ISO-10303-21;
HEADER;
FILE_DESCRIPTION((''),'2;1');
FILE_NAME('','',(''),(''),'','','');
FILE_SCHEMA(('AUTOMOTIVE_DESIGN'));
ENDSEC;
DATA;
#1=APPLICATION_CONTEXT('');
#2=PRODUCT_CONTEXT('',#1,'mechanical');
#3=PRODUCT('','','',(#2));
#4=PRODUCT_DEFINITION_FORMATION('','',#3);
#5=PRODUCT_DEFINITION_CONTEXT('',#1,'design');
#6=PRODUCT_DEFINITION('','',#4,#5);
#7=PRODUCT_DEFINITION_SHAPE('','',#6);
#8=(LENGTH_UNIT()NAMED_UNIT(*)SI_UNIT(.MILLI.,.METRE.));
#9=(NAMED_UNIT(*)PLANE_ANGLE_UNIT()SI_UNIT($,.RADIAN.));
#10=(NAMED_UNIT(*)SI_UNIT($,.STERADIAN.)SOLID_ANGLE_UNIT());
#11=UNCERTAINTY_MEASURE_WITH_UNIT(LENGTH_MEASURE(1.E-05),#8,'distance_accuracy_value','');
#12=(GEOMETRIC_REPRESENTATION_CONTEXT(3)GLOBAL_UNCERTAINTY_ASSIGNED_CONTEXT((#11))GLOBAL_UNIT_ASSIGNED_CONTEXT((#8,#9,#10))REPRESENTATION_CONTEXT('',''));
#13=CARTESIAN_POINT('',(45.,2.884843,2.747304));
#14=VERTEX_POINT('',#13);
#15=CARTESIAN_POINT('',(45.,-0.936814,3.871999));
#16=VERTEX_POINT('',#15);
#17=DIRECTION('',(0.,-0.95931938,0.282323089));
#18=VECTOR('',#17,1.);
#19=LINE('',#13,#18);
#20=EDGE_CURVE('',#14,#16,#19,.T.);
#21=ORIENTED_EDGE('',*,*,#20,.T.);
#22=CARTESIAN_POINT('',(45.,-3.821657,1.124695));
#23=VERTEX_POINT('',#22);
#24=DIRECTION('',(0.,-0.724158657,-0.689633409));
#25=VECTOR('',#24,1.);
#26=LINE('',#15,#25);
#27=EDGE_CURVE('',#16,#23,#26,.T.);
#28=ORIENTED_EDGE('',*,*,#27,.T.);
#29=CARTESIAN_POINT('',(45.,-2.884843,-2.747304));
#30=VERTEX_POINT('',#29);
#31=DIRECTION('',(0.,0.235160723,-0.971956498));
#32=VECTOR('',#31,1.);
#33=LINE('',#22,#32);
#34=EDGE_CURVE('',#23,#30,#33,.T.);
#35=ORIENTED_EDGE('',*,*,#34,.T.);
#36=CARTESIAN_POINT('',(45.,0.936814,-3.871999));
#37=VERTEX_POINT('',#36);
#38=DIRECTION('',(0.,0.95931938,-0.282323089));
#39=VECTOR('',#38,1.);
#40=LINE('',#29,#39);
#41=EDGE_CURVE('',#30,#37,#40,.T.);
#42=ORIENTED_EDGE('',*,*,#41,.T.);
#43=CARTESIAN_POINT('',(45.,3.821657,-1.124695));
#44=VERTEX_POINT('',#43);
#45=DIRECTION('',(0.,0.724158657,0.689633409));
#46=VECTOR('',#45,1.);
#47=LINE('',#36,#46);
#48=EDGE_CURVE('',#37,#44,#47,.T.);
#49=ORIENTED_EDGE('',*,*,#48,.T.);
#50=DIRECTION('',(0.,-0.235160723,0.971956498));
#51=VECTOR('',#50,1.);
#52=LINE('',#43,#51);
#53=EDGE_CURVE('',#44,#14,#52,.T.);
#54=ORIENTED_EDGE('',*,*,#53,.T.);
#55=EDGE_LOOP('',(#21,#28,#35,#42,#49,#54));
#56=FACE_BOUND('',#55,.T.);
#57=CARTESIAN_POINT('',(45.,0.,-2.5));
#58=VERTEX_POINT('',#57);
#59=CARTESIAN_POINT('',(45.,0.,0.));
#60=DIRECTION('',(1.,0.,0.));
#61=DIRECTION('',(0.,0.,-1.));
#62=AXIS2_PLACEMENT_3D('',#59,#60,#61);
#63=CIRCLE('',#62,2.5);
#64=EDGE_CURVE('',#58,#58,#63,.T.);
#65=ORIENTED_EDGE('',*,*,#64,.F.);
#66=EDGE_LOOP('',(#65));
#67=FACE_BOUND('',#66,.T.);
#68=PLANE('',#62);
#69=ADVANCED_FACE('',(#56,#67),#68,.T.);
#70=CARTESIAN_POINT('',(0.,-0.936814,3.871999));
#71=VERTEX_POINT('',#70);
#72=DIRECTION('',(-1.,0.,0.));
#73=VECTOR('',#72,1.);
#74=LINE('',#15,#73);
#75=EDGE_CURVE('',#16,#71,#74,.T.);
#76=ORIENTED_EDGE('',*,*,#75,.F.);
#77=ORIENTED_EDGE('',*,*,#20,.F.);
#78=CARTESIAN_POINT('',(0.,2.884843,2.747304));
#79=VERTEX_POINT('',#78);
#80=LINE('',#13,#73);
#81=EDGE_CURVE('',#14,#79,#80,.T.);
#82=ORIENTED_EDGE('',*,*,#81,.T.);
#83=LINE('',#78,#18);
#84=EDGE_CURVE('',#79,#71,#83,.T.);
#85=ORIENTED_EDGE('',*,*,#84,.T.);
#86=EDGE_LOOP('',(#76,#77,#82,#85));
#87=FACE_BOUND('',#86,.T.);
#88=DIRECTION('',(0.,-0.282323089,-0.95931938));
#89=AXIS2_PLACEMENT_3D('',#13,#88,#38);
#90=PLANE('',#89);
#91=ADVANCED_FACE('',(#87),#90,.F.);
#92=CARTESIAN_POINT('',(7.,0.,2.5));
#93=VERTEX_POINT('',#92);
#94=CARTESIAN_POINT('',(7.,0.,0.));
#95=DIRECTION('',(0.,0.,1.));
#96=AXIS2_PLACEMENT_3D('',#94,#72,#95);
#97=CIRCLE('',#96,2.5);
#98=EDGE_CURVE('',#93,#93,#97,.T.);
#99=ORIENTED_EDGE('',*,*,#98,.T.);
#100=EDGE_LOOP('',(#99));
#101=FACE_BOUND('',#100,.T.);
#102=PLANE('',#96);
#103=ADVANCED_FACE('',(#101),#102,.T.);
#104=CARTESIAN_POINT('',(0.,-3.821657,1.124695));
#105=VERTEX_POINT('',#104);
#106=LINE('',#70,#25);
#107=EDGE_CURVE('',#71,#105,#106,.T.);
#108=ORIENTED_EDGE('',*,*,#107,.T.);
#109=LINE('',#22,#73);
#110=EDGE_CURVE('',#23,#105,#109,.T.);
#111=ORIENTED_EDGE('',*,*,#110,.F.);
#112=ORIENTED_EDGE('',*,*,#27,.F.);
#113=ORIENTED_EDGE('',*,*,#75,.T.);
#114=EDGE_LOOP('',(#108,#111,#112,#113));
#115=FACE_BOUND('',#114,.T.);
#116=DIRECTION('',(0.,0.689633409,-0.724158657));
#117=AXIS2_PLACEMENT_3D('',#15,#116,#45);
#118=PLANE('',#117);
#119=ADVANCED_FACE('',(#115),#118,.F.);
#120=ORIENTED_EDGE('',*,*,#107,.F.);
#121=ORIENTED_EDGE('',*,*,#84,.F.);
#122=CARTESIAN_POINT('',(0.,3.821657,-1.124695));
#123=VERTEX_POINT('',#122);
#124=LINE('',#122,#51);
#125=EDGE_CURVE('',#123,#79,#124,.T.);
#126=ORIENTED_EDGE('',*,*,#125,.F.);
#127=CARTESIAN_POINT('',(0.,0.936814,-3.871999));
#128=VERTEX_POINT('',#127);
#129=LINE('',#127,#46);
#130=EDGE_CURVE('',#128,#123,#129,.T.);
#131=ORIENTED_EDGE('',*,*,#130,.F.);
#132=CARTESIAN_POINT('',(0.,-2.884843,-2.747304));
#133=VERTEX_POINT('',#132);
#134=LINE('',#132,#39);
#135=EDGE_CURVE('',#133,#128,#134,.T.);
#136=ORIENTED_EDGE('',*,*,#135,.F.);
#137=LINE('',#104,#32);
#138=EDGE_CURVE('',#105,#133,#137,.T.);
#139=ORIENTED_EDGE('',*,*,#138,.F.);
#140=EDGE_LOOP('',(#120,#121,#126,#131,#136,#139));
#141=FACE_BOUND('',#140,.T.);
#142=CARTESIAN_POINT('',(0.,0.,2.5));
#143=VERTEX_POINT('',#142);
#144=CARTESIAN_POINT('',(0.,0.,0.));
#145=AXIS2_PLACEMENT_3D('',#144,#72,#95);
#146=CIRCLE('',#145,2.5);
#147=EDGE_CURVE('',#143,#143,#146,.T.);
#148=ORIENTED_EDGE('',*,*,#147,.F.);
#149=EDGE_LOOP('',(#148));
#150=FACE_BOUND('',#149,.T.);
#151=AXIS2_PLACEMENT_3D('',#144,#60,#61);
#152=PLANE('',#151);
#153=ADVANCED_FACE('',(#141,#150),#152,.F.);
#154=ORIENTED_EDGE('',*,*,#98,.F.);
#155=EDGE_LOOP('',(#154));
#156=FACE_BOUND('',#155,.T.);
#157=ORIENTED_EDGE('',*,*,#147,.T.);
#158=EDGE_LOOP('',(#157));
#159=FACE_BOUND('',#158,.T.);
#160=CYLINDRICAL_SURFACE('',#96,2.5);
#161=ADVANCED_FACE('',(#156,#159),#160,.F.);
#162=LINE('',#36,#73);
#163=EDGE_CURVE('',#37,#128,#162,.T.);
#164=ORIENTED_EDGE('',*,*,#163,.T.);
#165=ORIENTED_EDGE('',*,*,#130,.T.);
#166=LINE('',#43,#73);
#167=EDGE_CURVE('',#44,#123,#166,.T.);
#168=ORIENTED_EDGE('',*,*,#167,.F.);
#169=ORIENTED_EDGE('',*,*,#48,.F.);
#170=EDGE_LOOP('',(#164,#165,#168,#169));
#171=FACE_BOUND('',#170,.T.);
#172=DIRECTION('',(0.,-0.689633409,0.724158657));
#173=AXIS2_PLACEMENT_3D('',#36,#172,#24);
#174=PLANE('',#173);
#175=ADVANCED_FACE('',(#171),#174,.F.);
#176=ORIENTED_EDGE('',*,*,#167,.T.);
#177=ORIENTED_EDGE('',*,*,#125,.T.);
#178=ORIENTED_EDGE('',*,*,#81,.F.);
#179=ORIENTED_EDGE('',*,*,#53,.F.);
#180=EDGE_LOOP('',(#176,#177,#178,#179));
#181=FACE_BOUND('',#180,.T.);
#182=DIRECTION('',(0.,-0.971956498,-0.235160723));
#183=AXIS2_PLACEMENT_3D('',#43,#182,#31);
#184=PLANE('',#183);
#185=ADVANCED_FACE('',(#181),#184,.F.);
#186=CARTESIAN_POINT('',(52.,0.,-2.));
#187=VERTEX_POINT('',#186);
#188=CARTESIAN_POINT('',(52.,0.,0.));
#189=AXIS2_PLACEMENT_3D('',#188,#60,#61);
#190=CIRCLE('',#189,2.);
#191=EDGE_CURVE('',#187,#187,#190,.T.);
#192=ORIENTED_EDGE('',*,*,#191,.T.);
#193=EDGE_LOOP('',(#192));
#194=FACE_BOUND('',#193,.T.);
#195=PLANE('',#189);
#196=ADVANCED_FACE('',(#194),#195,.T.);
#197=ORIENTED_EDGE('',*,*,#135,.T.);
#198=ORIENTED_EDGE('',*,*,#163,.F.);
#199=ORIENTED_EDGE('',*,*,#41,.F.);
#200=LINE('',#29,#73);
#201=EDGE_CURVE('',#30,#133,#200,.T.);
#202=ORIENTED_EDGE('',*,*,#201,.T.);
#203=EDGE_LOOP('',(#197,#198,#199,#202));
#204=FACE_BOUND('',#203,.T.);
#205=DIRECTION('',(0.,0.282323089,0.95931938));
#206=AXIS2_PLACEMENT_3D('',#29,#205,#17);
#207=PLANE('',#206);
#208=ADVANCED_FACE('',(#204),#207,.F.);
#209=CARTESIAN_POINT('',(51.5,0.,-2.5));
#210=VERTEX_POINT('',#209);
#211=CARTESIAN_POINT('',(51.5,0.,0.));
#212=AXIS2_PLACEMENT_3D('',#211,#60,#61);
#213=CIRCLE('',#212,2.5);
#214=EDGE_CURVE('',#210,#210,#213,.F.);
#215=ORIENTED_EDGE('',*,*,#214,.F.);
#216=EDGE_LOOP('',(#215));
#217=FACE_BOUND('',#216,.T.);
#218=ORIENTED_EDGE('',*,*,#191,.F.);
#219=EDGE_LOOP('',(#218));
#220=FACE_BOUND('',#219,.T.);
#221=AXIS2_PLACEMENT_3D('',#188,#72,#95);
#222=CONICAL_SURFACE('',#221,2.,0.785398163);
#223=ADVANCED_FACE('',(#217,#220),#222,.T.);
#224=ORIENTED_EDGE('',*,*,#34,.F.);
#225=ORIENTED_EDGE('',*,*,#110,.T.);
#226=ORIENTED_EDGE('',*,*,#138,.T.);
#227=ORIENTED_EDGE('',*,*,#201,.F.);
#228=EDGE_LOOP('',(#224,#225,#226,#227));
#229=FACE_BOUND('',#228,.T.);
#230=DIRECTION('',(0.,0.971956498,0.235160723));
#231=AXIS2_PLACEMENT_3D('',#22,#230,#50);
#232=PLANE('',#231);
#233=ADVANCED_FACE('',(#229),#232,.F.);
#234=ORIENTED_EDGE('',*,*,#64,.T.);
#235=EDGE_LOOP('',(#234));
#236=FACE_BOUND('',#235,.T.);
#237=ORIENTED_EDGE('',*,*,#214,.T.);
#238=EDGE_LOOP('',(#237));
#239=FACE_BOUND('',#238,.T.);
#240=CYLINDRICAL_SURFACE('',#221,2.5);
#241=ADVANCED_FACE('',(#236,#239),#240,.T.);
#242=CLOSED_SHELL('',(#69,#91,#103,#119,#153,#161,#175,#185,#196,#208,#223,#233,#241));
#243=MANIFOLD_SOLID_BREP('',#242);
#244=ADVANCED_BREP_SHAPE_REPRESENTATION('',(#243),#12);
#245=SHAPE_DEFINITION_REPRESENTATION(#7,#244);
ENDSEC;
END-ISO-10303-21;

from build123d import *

# Parameters (mm, degrees)
EXTRUDE_1_DEPTH     = 45
SKETCH_2_R          = 2.5
EXTRUDE_2_DEPTH     = 7
CHAMFER_1_SIZE      = 0.5
SKETCH_3_R          = 2.5
CUT_EXTRUDE_1_DEPTH = 7


with BuildPart() as part:
    # 草图1 → 凸台-拉伸1 (new body)
    with BuildSketch(Plane(origin=(0, 0, 0), x_dir=(0, 0, -1), z_dir=(1, 0, 0))):
        Polygon((2.747304238, -2.88484305), (3.871999486, 0.936813737), (1.124695248, 3.821656787), (-2.747304238, 2.88484305), (-3.871999486, -0.936813737), (-1.124695248, -3.821656787), align=None)
    extrude(amount=EXTRUDE_1_DEPTH)

    # 草图2 → 凸台-拉伸2 (add)
    with BuildSketch(Plane(origin=(45, 0, 0), x_dir=(0, 0, -1), z_dir=(1, 0, 0))):
        Circle(SKETCH_2_R)
    extrude(amount=EXTRUDE_2_DEPTH)

    # 倒角1
    chamfer_1_edges = [part.edges().sort_by_distance(p)[0] for p in [
        (52, 0, 2.5),
    ]]
    chamfer(chamfer_1_edges, length=CHAMFER_1_SIZE)

    # 草图3 → 切除-拉伸1 (cut)
    with BuildSketch(Plane.ZY):
        with Locations(Location((0, 0, 0), (0, 0, 180))):
            Circle(SKETCH_3_R)
    extrude(amount=-CUT_EXTRUDE_1_DEPTH, mode=Mode.SUBTRACT)


solid = part.part
